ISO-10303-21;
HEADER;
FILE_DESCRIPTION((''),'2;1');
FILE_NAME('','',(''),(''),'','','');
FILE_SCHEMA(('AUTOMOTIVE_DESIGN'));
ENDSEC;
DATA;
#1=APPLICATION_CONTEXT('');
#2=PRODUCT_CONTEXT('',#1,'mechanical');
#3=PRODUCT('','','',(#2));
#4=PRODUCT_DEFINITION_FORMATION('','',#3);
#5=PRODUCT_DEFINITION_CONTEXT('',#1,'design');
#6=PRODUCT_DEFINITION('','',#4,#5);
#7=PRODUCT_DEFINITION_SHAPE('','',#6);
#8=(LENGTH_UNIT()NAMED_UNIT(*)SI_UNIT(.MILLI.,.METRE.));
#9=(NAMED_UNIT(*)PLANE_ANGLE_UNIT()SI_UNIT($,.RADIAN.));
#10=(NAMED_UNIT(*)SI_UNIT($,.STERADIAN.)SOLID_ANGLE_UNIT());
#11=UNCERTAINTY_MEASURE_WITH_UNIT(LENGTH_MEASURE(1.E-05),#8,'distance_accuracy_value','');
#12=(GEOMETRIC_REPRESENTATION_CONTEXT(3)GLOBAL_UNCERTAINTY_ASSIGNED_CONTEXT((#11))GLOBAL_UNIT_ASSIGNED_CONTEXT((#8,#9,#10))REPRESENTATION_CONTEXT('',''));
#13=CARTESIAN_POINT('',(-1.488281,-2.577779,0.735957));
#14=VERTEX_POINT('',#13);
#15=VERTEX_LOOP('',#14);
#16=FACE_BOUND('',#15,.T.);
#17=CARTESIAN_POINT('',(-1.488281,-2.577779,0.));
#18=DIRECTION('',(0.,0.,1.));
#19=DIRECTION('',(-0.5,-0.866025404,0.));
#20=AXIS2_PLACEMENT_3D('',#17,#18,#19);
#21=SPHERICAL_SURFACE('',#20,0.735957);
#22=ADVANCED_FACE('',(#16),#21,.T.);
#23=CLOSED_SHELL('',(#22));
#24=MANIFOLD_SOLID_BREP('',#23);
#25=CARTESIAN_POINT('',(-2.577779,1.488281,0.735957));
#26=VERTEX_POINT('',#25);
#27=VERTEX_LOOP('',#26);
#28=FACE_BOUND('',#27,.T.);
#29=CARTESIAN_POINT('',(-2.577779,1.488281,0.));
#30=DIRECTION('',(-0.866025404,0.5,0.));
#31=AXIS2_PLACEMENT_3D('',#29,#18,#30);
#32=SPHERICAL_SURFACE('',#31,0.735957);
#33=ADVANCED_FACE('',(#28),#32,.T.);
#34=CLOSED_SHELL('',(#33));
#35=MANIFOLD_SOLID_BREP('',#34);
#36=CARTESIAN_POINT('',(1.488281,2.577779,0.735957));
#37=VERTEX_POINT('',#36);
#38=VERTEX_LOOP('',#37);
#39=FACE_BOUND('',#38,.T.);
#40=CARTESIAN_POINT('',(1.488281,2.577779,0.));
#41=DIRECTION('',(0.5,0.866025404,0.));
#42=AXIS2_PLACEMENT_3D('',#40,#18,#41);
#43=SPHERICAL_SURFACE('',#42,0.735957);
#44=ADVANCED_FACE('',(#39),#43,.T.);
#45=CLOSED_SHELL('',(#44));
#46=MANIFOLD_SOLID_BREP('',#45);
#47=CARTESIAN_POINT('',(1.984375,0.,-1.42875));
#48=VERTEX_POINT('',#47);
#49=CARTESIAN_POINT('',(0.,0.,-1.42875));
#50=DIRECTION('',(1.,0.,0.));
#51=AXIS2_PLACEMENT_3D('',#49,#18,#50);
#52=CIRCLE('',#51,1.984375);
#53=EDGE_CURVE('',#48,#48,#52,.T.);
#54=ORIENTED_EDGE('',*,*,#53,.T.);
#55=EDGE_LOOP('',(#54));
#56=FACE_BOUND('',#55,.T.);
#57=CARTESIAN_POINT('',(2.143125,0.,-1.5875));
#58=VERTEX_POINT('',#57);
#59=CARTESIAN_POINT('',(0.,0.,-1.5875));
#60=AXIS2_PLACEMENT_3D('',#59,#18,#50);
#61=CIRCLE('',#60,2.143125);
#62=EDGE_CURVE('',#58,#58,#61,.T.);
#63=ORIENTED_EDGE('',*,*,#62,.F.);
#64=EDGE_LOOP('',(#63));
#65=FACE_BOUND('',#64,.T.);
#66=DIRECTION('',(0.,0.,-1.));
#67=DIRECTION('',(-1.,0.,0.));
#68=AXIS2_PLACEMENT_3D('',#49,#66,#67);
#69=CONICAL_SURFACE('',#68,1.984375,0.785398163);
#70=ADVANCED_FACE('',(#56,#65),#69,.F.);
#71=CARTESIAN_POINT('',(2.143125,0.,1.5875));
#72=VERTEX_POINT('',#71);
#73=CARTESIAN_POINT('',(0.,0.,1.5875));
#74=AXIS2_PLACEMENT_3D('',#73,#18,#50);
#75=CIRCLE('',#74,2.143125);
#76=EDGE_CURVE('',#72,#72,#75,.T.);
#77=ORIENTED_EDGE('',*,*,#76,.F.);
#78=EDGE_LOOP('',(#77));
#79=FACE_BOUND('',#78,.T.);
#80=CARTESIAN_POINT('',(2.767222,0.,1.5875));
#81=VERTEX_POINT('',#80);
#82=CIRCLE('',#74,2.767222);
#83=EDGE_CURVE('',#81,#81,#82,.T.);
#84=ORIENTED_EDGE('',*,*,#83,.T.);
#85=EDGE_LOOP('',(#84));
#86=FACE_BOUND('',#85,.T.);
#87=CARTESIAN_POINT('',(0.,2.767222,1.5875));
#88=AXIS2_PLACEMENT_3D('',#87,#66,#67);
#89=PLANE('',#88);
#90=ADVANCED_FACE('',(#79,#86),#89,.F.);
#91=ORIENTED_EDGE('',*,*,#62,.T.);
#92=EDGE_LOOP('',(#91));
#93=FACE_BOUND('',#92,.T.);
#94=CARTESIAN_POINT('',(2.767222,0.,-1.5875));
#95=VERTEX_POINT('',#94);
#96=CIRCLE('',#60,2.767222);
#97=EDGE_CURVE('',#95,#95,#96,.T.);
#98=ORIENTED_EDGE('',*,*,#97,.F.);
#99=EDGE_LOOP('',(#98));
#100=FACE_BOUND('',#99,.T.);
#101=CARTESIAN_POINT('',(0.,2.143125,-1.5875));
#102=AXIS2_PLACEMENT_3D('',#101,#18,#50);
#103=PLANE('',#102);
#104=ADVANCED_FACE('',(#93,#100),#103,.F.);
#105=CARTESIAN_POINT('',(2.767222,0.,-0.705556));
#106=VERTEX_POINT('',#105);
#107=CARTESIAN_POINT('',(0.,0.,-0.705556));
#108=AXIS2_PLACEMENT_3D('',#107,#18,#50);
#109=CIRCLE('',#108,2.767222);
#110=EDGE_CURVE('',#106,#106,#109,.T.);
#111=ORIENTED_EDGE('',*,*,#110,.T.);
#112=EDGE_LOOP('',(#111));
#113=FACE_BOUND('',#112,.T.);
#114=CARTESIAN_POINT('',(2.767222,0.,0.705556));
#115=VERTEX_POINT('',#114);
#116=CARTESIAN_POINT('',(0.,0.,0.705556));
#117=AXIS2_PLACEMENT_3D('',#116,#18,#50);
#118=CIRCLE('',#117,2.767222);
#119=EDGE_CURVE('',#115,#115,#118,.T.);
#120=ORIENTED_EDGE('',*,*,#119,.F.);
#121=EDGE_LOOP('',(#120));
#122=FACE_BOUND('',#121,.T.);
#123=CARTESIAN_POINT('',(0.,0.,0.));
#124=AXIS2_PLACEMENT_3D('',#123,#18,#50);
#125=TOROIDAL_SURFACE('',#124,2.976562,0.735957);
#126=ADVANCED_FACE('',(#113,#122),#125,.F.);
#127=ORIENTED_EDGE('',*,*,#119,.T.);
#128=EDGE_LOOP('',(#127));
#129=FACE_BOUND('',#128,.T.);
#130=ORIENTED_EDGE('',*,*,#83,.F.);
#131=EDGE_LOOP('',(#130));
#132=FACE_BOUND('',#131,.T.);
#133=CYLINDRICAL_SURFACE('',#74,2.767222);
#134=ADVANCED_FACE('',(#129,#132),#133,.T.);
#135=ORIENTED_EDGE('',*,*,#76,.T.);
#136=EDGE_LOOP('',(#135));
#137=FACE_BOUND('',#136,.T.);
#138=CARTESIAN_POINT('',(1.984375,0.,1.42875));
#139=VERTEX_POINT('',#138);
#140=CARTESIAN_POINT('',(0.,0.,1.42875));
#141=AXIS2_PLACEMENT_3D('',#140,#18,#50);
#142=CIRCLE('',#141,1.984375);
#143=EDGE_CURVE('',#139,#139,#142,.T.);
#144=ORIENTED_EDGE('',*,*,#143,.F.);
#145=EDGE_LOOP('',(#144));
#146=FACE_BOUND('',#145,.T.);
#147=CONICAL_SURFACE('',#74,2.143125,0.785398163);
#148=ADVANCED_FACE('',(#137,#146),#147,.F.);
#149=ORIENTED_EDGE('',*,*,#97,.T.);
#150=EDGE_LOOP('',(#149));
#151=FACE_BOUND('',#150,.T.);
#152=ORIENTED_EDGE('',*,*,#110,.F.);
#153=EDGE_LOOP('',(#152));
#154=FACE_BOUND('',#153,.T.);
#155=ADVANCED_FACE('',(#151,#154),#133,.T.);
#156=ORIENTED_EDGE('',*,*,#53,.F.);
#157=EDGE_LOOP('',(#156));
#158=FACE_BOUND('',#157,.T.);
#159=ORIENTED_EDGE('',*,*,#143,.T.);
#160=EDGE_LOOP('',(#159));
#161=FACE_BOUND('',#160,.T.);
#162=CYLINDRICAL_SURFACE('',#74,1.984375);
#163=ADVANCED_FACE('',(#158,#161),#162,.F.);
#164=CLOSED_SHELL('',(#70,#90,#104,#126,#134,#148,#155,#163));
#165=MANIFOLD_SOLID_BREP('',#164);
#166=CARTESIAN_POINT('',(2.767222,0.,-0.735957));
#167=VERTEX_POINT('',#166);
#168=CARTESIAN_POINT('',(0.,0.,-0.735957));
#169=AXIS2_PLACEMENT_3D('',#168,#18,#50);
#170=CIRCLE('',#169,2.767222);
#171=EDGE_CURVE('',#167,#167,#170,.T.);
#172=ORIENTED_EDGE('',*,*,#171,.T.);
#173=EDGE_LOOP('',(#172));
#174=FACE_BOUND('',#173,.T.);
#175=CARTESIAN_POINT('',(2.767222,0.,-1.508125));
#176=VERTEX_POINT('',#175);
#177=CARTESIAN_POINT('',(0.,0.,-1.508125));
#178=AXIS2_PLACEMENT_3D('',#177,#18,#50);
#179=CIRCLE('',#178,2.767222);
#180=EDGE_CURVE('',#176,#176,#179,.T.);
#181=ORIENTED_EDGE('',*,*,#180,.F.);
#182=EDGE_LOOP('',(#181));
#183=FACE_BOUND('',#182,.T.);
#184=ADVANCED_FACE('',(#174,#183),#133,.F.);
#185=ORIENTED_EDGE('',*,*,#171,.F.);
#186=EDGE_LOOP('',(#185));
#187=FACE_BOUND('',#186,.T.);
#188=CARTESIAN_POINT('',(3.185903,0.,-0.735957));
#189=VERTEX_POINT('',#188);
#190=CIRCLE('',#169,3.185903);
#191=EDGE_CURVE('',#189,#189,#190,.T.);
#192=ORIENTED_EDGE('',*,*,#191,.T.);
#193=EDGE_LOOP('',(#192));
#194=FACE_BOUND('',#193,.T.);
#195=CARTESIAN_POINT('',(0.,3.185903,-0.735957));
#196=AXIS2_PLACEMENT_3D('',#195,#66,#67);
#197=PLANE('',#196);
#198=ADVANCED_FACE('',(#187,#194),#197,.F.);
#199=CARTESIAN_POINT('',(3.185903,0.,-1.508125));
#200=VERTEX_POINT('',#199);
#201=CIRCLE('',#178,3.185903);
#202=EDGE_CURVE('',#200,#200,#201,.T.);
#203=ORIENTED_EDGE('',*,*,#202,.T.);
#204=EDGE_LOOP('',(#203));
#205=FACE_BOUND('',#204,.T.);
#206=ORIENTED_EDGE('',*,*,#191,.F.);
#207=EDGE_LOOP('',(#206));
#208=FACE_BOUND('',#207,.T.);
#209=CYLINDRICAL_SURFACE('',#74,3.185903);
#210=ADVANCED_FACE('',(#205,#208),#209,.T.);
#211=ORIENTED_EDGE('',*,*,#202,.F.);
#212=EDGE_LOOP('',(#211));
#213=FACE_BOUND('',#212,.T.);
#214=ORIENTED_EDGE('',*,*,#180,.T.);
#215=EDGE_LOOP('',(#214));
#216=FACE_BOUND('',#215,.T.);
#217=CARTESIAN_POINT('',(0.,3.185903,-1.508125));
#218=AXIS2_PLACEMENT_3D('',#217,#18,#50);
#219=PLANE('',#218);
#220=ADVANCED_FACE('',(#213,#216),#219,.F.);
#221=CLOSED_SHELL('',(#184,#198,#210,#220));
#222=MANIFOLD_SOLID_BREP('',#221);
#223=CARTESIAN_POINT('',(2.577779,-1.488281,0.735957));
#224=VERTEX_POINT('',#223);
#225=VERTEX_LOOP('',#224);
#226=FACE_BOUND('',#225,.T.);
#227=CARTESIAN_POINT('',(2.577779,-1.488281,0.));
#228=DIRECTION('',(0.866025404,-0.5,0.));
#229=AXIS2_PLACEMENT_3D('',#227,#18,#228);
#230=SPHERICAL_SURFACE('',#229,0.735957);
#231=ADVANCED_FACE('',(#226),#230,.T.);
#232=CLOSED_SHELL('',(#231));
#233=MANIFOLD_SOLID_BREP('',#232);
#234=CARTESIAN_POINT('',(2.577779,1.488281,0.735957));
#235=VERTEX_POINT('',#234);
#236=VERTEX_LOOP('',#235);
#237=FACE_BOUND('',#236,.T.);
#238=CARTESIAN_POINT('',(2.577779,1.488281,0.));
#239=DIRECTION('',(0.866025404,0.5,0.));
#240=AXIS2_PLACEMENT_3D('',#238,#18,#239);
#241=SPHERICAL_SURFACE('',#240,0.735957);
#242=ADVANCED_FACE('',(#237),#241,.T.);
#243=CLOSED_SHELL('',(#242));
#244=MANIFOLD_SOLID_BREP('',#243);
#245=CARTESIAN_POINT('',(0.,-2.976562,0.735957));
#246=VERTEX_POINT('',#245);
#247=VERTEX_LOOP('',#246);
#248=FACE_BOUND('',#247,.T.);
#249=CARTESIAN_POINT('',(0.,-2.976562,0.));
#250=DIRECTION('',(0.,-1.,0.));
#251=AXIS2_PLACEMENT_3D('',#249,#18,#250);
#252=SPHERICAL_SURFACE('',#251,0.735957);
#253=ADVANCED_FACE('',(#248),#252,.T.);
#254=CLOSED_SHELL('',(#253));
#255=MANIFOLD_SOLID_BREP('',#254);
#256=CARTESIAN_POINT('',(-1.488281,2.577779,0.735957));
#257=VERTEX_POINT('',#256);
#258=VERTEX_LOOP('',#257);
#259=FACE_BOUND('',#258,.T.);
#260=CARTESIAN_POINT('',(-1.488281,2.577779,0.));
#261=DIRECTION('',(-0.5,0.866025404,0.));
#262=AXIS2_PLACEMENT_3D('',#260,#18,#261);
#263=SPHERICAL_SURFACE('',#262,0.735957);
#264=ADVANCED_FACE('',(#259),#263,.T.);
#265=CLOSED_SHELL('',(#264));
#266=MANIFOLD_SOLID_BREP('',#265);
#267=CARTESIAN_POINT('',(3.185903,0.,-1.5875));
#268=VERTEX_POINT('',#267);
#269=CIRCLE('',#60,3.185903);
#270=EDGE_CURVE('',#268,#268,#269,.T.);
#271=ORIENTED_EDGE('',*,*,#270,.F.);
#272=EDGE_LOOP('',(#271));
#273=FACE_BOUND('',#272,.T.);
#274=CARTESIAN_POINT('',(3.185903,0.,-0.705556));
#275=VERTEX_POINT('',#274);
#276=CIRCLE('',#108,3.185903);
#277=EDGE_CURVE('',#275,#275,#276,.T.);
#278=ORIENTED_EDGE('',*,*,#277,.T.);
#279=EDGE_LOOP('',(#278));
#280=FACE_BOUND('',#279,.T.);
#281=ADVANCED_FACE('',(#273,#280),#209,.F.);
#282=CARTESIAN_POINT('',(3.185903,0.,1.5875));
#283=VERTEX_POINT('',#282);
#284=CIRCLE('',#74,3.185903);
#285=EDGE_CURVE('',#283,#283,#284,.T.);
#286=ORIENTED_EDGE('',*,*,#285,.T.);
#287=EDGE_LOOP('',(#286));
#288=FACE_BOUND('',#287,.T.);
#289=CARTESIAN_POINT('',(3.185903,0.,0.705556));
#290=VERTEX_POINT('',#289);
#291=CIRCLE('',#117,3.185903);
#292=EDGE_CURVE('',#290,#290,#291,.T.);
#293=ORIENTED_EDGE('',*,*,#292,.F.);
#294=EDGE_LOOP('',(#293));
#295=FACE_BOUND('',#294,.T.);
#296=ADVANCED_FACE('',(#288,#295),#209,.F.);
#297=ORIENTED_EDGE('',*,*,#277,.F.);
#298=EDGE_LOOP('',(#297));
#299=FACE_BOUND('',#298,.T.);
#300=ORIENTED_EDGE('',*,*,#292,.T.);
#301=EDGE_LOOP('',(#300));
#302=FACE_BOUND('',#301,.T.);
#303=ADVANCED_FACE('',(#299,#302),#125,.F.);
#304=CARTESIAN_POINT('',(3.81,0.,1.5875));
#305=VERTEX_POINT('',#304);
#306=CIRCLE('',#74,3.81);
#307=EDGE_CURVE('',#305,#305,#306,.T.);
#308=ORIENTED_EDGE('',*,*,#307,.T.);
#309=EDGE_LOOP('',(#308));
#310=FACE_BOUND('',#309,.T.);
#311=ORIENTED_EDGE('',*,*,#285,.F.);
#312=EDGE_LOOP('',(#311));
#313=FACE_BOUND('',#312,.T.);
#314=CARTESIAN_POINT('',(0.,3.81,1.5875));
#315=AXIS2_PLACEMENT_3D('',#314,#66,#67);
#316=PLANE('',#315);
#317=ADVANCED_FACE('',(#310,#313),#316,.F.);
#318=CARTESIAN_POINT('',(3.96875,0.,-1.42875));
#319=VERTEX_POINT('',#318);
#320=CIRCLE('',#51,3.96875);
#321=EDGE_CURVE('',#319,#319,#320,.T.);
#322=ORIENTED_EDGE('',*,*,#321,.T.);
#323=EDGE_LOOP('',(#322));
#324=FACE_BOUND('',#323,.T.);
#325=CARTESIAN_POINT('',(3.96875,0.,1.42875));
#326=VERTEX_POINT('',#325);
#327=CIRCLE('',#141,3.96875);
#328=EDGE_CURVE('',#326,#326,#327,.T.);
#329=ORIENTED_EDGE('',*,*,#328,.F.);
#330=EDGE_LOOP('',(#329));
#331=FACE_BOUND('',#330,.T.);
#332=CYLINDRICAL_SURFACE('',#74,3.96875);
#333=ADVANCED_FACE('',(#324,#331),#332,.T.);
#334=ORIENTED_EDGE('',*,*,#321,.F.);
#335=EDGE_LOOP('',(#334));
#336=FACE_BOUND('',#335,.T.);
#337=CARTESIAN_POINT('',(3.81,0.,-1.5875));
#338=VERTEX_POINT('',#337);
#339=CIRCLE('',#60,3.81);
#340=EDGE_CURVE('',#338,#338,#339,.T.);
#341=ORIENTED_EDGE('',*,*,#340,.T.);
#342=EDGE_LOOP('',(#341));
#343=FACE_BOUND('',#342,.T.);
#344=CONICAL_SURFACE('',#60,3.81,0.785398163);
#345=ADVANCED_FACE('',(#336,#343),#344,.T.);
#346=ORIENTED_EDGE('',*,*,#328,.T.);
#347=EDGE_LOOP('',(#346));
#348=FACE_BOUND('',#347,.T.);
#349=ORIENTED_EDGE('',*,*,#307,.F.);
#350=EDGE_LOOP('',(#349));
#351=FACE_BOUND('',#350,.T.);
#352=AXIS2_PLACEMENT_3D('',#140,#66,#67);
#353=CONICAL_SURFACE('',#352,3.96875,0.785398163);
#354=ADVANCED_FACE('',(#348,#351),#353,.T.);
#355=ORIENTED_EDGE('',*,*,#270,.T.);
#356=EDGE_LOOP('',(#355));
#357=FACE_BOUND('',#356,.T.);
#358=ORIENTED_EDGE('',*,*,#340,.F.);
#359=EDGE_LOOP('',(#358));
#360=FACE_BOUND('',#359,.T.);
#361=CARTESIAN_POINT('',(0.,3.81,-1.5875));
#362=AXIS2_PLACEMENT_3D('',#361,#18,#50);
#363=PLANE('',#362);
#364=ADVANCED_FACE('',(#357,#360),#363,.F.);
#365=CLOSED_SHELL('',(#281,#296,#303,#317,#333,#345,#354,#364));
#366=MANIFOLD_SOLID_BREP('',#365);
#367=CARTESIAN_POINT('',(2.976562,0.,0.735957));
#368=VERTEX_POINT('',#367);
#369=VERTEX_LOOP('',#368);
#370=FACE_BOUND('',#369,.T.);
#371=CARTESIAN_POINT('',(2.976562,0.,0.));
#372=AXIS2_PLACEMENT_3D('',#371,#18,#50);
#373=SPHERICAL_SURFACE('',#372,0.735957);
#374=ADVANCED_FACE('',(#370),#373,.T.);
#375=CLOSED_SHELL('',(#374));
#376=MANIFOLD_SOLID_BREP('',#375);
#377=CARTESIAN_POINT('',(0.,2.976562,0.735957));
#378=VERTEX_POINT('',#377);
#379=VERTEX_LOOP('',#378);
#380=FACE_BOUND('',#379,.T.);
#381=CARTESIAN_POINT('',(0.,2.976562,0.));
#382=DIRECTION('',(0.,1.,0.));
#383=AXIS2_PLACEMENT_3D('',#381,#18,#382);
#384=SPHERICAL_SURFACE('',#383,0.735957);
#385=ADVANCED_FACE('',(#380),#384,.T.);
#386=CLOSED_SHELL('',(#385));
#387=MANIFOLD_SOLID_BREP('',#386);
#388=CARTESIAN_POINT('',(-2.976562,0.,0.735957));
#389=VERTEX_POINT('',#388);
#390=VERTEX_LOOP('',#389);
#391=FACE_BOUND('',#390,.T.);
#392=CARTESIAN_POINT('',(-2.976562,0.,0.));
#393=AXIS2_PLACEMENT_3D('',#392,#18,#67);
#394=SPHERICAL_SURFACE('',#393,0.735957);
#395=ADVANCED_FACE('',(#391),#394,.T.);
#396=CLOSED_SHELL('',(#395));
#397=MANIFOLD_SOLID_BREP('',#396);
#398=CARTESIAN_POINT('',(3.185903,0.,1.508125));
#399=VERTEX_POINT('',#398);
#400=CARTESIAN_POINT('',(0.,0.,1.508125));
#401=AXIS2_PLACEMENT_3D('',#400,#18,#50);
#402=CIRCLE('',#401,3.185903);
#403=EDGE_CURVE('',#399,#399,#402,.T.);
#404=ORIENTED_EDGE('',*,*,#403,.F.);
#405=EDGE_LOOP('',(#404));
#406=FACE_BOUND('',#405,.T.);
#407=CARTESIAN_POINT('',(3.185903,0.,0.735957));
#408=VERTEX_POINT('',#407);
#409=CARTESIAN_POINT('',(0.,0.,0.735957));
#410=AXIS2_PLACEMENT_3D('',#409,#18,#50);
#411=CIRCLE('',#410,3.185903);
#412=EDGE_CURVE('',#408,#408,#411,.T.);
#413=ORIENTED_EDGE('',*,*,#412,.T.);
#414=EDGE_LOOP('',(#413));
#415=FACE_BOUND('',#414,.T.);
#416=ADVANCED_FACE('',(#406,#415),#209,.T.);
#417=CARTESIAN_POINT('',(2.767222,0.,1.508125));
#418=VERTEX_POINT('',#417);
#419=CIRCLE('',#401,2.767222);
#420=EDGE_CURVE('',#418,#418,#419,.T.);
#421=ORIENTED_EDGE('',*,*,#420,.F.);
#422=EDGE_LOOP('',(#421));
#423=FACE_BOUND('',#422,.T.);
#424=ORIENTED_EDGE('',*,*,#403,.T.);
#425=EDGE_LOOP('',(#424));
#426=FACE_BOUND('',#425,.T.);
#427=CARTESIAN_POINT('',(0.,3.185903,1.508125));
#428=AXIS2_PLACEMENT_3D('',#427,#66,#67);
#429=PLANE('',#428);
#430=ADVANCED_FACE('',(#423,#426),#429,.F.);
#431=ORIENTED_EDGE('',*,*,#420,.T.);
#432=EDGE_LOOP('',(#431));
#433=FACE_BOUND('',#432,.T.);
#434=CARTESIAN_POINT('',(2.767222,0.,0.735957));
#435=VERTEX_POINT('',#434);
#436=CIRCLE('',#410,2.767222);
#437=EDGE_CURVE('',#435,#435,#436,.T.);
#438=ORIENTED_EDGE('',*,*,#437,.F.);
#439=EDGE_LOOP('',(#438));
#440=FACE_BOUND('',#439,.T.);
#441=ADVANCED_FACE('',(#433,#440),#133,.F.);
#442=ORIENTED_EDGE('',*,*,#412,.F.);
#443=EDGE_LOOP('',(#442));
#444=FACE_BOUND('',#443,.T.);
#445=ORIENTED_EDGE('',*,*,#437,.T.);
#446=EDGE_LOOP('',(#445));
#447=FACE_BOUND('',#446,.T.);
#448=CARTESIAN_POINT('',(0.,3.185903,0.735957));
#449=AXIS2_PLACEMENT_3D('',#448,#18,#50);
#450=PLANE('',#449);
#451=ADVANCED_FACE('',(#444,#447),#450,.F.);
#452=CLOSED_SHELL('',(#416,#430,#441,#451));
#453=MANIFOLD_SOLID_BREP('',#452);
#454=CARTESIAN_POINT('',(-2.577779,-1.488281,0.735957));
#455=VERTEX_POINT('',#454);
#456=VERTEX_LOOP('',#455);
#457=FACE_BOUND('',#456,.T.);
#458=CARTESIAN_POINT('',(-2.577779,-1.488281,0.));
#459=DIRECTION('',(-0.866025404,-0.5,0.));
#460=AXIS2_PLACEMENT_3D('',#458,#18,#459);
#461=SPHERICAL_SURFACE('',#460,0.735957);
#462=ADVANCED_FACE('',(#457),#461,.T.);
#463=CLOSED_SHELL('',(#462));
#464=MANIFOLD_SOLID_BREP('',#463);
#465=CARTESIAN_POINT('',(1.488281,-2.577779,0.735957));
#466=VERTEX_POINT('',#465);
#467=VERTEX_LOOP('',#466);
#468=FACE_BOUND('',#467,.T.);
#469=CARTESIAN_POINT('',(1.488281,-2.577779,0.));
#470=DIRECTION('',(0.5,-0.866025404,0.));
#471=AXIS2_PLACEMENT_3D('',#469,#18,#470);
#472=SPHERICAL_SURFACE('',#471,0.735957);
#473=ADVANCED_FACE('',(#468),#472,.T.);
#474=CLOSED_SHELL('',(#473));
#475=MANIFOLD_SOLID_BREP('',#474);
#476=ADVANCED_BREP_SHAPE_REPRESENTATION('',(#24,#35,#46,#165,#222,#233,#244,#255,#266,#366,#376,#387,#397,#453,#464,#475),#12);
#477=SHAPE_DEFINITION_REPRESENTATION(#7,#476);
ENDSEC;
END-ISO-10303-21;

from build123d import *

# Parameters (mm, degrees)
CIRPATTERN1_COUNT = 12
SKETCH5_W         = 0.772168375
SKETCH5_H         = 0.418681318


with BuildPart() as part:
    # Sketch1 → Revolve1 (revolve)
    with BuildSketch(Plane(origin=(0, 0, 0), x_dir=(0, 0, -1), z_dir=(1, 0, 0))):
        with BuildLine():
            Line((1.42875, 3.96875), (-1.42875, 3.96875))
            Line((-1.42875, 3.96875), (-1.5875, 3.81))
            Line((-1.5875, 3.81), (-1.5875, 3.185903159))
            Line((-1.5875, 3.185903159), (-0.705555556, 3.185903159))
            ThreePointArc((-0.705555556, 3.185903159), (0, 3.712519125), (0.705555556, 3.185903159))
            Line((0.705555556, 3.185903159), (1.5875, 3.185903159))
            Line((1.5875, 3.185903159), (1.5875, 3.81))
            Line((1.5875, 3.81), (1.42875, 3.96875))
        make_face()
    revolve(axis=Axis((0, 0, 1.5875), (0, 0, -1)))


with BuildPart() as body_2:
    # Sketch3 → Revolve3 (revolve)
    with BuildSketch(Plane(origin=(0, 0, 0), x_dir=(0, 0, -1), z_dir=(1, 0, 0))):
        with BuildLine():
            Line((-0.705555556, 2.767221841), (-1.5875, 2.767221841))
            Line((-1.5875, 2.767221841), (-1.5875, 2.143125))
            Line((-1.5875, 2.143125), (-1.42875, 1.984375))
            Line((-1.42875, 1.984375), (1.42875, 1.984375))
            Line((1.42875, 1.984375), (1.5875, 2.143125))
            Line((1.5875, 2.143125), (1.5875, 2.767221841))
            Line((1.5875, 2.767221841), (0.705555556, 2.767221841))
            ThreePointArc((0.705555556, 2.767221841), (0, 2.240605875), (-0.705555556, 2.767221841))
        make_face()
    revolve(axis=Axis((0, 0, 1.5875), (0, 0, -1)))


with BuildPart() as body_3:
    # Sketch4 → Revolve4 (revolve)
    with BuildSketch(Plane(origin=(0, 0, 0), x_dir=(0, 0, -1), z_dir=(1, 0, 0))):
        with BuildLine():
            Line((-0.735956625, 2.9765625), (0.735956625, 2.9765625))
            ThreePointArc((0.735956625, 2.9765625), (0, 3.712519125), (-0.735956625, 2.9765625))
        make_face()
    revolve(axis=Axis((0, 2.9765625, 0.735956625), (0, 0, -1)))


with BuildPart() as cirpattern1_1:
    # CirPattern1: pattern copy
    add(body_3.part.rotate(Axis((0, 0, -1.5875), (0, 0, 1)), 1 * 360 / CIRPATTERN1_COUNT))


with BuildPart() as cirpattern1_2:
    # CirPattern1: pattern copy
    add(body_3.part.rotate(Axis((0, 0, -1.5875), (0, 0, 1)), 2 * 360 / CIRPATTERN1_COUNT))


with BuildPart() as cirpattern1_3:
    # CirPattern1: pattern copy
    add(body_3.part.rotate(Axis((0, 0, -1.5875), (0, 0, 1)), 3 * 360 / CIRPATTERN1_COUNT))


with BuildPart() as cirpattern1_4:
    # CirPattern1: pattern copy
    add(body_3.part.rotate(Axis((0, 0, -1.5875), (0, 0, 1)), 4 * 360 / CIRPATTERN1_COUNT))


with BuildPart() as cirpattern1_5:
    # CirPattern1: pattern copy
    add(body_3.part.rotate(Axis((0, 0, -1.5875), (0, 0, 1)), 5 * 360 / CIRPATTERN1_COUNT))


with BuildPart() as cirpattern1_6:
    # CirPattern1: pattern copy
    add(body_3.part.rotate(Axis((0, 0, -1.5875), (0, 0, 1)), 6 * 360 / CIRPATTERN1_COUNT))


with BuildPart() as cirpattern1_7:
    # CirPattern1: pattern copy
    add(body_3.part.rotate(Axis((0, 0, -1.5875), (0, 0, 1)), 7 * 360 / CIRPATTERN1_COUNT))


with BuildPart() as cirpattern1_8:
    # CirPattern1: pattern copy
    add(body_3.part.rotate(Axis((0, 0, -1.5875), (0, 0, 1)), 8 * 360 / CIRPATTERN1_COUNT))


with BuildPart() as cirpattern1_9:
    # CirPattern1: pattern copy
    add(body_3.part.rotate(Axis((0, 0, -1.5875), (0, 0, 1)), 9 * 360 / CIRPATTERN1_COUNT))


with BuildPart() as cirpattern1_10:
    # CirPattern1: pattern copy
    add(body_3.part.rotate(Axis((0, 0, -1.5875), (0, 0, 1)), 10 * 360 / CIRPATTERN1_COUNT))


with BuildPart() as cirpattern1_11:
    # CirPattern1: pattern copy
    add(body_3.part.rotate(Axis((0, 0, -1.5875), (0, 0, 1)), 11 * 360 / CIRPATTERN1_COUNT))


with BuildPart() as body_15:
    # Sketch5 → Revolve5 (revolve)
    with BuildSketch(Plane(origin=(0, 0, 0), x_dir=(0, 0, -1), z_dir=(1, 0, 0))):
        with Locations((-1.122040813, 2.9765625)):
            Rectangle(SKETCH5_W, SKETCH5_H)
        with Locations((1.122040813, 2.9765625)):
            Rectangle(SKETCH5_W, SKETCH5_H)
    revolve(axis=Axis((0, 0, 1.5875), (0, 0, -1)))


solid = Compound([part.part, body_2.part, body_3.part, cirpattern1_1.part, cirpattern1_2.part, cirpattern1_3.part, cirpattern1_4.part, cirpattern1_5.part, cirpattern1_6.part, cirpattern1_7.part, cirpattern1_8.part, cirpattern1_9.part, cirpattern1_10.part, cirpattern1_11.part, body_15.part])
